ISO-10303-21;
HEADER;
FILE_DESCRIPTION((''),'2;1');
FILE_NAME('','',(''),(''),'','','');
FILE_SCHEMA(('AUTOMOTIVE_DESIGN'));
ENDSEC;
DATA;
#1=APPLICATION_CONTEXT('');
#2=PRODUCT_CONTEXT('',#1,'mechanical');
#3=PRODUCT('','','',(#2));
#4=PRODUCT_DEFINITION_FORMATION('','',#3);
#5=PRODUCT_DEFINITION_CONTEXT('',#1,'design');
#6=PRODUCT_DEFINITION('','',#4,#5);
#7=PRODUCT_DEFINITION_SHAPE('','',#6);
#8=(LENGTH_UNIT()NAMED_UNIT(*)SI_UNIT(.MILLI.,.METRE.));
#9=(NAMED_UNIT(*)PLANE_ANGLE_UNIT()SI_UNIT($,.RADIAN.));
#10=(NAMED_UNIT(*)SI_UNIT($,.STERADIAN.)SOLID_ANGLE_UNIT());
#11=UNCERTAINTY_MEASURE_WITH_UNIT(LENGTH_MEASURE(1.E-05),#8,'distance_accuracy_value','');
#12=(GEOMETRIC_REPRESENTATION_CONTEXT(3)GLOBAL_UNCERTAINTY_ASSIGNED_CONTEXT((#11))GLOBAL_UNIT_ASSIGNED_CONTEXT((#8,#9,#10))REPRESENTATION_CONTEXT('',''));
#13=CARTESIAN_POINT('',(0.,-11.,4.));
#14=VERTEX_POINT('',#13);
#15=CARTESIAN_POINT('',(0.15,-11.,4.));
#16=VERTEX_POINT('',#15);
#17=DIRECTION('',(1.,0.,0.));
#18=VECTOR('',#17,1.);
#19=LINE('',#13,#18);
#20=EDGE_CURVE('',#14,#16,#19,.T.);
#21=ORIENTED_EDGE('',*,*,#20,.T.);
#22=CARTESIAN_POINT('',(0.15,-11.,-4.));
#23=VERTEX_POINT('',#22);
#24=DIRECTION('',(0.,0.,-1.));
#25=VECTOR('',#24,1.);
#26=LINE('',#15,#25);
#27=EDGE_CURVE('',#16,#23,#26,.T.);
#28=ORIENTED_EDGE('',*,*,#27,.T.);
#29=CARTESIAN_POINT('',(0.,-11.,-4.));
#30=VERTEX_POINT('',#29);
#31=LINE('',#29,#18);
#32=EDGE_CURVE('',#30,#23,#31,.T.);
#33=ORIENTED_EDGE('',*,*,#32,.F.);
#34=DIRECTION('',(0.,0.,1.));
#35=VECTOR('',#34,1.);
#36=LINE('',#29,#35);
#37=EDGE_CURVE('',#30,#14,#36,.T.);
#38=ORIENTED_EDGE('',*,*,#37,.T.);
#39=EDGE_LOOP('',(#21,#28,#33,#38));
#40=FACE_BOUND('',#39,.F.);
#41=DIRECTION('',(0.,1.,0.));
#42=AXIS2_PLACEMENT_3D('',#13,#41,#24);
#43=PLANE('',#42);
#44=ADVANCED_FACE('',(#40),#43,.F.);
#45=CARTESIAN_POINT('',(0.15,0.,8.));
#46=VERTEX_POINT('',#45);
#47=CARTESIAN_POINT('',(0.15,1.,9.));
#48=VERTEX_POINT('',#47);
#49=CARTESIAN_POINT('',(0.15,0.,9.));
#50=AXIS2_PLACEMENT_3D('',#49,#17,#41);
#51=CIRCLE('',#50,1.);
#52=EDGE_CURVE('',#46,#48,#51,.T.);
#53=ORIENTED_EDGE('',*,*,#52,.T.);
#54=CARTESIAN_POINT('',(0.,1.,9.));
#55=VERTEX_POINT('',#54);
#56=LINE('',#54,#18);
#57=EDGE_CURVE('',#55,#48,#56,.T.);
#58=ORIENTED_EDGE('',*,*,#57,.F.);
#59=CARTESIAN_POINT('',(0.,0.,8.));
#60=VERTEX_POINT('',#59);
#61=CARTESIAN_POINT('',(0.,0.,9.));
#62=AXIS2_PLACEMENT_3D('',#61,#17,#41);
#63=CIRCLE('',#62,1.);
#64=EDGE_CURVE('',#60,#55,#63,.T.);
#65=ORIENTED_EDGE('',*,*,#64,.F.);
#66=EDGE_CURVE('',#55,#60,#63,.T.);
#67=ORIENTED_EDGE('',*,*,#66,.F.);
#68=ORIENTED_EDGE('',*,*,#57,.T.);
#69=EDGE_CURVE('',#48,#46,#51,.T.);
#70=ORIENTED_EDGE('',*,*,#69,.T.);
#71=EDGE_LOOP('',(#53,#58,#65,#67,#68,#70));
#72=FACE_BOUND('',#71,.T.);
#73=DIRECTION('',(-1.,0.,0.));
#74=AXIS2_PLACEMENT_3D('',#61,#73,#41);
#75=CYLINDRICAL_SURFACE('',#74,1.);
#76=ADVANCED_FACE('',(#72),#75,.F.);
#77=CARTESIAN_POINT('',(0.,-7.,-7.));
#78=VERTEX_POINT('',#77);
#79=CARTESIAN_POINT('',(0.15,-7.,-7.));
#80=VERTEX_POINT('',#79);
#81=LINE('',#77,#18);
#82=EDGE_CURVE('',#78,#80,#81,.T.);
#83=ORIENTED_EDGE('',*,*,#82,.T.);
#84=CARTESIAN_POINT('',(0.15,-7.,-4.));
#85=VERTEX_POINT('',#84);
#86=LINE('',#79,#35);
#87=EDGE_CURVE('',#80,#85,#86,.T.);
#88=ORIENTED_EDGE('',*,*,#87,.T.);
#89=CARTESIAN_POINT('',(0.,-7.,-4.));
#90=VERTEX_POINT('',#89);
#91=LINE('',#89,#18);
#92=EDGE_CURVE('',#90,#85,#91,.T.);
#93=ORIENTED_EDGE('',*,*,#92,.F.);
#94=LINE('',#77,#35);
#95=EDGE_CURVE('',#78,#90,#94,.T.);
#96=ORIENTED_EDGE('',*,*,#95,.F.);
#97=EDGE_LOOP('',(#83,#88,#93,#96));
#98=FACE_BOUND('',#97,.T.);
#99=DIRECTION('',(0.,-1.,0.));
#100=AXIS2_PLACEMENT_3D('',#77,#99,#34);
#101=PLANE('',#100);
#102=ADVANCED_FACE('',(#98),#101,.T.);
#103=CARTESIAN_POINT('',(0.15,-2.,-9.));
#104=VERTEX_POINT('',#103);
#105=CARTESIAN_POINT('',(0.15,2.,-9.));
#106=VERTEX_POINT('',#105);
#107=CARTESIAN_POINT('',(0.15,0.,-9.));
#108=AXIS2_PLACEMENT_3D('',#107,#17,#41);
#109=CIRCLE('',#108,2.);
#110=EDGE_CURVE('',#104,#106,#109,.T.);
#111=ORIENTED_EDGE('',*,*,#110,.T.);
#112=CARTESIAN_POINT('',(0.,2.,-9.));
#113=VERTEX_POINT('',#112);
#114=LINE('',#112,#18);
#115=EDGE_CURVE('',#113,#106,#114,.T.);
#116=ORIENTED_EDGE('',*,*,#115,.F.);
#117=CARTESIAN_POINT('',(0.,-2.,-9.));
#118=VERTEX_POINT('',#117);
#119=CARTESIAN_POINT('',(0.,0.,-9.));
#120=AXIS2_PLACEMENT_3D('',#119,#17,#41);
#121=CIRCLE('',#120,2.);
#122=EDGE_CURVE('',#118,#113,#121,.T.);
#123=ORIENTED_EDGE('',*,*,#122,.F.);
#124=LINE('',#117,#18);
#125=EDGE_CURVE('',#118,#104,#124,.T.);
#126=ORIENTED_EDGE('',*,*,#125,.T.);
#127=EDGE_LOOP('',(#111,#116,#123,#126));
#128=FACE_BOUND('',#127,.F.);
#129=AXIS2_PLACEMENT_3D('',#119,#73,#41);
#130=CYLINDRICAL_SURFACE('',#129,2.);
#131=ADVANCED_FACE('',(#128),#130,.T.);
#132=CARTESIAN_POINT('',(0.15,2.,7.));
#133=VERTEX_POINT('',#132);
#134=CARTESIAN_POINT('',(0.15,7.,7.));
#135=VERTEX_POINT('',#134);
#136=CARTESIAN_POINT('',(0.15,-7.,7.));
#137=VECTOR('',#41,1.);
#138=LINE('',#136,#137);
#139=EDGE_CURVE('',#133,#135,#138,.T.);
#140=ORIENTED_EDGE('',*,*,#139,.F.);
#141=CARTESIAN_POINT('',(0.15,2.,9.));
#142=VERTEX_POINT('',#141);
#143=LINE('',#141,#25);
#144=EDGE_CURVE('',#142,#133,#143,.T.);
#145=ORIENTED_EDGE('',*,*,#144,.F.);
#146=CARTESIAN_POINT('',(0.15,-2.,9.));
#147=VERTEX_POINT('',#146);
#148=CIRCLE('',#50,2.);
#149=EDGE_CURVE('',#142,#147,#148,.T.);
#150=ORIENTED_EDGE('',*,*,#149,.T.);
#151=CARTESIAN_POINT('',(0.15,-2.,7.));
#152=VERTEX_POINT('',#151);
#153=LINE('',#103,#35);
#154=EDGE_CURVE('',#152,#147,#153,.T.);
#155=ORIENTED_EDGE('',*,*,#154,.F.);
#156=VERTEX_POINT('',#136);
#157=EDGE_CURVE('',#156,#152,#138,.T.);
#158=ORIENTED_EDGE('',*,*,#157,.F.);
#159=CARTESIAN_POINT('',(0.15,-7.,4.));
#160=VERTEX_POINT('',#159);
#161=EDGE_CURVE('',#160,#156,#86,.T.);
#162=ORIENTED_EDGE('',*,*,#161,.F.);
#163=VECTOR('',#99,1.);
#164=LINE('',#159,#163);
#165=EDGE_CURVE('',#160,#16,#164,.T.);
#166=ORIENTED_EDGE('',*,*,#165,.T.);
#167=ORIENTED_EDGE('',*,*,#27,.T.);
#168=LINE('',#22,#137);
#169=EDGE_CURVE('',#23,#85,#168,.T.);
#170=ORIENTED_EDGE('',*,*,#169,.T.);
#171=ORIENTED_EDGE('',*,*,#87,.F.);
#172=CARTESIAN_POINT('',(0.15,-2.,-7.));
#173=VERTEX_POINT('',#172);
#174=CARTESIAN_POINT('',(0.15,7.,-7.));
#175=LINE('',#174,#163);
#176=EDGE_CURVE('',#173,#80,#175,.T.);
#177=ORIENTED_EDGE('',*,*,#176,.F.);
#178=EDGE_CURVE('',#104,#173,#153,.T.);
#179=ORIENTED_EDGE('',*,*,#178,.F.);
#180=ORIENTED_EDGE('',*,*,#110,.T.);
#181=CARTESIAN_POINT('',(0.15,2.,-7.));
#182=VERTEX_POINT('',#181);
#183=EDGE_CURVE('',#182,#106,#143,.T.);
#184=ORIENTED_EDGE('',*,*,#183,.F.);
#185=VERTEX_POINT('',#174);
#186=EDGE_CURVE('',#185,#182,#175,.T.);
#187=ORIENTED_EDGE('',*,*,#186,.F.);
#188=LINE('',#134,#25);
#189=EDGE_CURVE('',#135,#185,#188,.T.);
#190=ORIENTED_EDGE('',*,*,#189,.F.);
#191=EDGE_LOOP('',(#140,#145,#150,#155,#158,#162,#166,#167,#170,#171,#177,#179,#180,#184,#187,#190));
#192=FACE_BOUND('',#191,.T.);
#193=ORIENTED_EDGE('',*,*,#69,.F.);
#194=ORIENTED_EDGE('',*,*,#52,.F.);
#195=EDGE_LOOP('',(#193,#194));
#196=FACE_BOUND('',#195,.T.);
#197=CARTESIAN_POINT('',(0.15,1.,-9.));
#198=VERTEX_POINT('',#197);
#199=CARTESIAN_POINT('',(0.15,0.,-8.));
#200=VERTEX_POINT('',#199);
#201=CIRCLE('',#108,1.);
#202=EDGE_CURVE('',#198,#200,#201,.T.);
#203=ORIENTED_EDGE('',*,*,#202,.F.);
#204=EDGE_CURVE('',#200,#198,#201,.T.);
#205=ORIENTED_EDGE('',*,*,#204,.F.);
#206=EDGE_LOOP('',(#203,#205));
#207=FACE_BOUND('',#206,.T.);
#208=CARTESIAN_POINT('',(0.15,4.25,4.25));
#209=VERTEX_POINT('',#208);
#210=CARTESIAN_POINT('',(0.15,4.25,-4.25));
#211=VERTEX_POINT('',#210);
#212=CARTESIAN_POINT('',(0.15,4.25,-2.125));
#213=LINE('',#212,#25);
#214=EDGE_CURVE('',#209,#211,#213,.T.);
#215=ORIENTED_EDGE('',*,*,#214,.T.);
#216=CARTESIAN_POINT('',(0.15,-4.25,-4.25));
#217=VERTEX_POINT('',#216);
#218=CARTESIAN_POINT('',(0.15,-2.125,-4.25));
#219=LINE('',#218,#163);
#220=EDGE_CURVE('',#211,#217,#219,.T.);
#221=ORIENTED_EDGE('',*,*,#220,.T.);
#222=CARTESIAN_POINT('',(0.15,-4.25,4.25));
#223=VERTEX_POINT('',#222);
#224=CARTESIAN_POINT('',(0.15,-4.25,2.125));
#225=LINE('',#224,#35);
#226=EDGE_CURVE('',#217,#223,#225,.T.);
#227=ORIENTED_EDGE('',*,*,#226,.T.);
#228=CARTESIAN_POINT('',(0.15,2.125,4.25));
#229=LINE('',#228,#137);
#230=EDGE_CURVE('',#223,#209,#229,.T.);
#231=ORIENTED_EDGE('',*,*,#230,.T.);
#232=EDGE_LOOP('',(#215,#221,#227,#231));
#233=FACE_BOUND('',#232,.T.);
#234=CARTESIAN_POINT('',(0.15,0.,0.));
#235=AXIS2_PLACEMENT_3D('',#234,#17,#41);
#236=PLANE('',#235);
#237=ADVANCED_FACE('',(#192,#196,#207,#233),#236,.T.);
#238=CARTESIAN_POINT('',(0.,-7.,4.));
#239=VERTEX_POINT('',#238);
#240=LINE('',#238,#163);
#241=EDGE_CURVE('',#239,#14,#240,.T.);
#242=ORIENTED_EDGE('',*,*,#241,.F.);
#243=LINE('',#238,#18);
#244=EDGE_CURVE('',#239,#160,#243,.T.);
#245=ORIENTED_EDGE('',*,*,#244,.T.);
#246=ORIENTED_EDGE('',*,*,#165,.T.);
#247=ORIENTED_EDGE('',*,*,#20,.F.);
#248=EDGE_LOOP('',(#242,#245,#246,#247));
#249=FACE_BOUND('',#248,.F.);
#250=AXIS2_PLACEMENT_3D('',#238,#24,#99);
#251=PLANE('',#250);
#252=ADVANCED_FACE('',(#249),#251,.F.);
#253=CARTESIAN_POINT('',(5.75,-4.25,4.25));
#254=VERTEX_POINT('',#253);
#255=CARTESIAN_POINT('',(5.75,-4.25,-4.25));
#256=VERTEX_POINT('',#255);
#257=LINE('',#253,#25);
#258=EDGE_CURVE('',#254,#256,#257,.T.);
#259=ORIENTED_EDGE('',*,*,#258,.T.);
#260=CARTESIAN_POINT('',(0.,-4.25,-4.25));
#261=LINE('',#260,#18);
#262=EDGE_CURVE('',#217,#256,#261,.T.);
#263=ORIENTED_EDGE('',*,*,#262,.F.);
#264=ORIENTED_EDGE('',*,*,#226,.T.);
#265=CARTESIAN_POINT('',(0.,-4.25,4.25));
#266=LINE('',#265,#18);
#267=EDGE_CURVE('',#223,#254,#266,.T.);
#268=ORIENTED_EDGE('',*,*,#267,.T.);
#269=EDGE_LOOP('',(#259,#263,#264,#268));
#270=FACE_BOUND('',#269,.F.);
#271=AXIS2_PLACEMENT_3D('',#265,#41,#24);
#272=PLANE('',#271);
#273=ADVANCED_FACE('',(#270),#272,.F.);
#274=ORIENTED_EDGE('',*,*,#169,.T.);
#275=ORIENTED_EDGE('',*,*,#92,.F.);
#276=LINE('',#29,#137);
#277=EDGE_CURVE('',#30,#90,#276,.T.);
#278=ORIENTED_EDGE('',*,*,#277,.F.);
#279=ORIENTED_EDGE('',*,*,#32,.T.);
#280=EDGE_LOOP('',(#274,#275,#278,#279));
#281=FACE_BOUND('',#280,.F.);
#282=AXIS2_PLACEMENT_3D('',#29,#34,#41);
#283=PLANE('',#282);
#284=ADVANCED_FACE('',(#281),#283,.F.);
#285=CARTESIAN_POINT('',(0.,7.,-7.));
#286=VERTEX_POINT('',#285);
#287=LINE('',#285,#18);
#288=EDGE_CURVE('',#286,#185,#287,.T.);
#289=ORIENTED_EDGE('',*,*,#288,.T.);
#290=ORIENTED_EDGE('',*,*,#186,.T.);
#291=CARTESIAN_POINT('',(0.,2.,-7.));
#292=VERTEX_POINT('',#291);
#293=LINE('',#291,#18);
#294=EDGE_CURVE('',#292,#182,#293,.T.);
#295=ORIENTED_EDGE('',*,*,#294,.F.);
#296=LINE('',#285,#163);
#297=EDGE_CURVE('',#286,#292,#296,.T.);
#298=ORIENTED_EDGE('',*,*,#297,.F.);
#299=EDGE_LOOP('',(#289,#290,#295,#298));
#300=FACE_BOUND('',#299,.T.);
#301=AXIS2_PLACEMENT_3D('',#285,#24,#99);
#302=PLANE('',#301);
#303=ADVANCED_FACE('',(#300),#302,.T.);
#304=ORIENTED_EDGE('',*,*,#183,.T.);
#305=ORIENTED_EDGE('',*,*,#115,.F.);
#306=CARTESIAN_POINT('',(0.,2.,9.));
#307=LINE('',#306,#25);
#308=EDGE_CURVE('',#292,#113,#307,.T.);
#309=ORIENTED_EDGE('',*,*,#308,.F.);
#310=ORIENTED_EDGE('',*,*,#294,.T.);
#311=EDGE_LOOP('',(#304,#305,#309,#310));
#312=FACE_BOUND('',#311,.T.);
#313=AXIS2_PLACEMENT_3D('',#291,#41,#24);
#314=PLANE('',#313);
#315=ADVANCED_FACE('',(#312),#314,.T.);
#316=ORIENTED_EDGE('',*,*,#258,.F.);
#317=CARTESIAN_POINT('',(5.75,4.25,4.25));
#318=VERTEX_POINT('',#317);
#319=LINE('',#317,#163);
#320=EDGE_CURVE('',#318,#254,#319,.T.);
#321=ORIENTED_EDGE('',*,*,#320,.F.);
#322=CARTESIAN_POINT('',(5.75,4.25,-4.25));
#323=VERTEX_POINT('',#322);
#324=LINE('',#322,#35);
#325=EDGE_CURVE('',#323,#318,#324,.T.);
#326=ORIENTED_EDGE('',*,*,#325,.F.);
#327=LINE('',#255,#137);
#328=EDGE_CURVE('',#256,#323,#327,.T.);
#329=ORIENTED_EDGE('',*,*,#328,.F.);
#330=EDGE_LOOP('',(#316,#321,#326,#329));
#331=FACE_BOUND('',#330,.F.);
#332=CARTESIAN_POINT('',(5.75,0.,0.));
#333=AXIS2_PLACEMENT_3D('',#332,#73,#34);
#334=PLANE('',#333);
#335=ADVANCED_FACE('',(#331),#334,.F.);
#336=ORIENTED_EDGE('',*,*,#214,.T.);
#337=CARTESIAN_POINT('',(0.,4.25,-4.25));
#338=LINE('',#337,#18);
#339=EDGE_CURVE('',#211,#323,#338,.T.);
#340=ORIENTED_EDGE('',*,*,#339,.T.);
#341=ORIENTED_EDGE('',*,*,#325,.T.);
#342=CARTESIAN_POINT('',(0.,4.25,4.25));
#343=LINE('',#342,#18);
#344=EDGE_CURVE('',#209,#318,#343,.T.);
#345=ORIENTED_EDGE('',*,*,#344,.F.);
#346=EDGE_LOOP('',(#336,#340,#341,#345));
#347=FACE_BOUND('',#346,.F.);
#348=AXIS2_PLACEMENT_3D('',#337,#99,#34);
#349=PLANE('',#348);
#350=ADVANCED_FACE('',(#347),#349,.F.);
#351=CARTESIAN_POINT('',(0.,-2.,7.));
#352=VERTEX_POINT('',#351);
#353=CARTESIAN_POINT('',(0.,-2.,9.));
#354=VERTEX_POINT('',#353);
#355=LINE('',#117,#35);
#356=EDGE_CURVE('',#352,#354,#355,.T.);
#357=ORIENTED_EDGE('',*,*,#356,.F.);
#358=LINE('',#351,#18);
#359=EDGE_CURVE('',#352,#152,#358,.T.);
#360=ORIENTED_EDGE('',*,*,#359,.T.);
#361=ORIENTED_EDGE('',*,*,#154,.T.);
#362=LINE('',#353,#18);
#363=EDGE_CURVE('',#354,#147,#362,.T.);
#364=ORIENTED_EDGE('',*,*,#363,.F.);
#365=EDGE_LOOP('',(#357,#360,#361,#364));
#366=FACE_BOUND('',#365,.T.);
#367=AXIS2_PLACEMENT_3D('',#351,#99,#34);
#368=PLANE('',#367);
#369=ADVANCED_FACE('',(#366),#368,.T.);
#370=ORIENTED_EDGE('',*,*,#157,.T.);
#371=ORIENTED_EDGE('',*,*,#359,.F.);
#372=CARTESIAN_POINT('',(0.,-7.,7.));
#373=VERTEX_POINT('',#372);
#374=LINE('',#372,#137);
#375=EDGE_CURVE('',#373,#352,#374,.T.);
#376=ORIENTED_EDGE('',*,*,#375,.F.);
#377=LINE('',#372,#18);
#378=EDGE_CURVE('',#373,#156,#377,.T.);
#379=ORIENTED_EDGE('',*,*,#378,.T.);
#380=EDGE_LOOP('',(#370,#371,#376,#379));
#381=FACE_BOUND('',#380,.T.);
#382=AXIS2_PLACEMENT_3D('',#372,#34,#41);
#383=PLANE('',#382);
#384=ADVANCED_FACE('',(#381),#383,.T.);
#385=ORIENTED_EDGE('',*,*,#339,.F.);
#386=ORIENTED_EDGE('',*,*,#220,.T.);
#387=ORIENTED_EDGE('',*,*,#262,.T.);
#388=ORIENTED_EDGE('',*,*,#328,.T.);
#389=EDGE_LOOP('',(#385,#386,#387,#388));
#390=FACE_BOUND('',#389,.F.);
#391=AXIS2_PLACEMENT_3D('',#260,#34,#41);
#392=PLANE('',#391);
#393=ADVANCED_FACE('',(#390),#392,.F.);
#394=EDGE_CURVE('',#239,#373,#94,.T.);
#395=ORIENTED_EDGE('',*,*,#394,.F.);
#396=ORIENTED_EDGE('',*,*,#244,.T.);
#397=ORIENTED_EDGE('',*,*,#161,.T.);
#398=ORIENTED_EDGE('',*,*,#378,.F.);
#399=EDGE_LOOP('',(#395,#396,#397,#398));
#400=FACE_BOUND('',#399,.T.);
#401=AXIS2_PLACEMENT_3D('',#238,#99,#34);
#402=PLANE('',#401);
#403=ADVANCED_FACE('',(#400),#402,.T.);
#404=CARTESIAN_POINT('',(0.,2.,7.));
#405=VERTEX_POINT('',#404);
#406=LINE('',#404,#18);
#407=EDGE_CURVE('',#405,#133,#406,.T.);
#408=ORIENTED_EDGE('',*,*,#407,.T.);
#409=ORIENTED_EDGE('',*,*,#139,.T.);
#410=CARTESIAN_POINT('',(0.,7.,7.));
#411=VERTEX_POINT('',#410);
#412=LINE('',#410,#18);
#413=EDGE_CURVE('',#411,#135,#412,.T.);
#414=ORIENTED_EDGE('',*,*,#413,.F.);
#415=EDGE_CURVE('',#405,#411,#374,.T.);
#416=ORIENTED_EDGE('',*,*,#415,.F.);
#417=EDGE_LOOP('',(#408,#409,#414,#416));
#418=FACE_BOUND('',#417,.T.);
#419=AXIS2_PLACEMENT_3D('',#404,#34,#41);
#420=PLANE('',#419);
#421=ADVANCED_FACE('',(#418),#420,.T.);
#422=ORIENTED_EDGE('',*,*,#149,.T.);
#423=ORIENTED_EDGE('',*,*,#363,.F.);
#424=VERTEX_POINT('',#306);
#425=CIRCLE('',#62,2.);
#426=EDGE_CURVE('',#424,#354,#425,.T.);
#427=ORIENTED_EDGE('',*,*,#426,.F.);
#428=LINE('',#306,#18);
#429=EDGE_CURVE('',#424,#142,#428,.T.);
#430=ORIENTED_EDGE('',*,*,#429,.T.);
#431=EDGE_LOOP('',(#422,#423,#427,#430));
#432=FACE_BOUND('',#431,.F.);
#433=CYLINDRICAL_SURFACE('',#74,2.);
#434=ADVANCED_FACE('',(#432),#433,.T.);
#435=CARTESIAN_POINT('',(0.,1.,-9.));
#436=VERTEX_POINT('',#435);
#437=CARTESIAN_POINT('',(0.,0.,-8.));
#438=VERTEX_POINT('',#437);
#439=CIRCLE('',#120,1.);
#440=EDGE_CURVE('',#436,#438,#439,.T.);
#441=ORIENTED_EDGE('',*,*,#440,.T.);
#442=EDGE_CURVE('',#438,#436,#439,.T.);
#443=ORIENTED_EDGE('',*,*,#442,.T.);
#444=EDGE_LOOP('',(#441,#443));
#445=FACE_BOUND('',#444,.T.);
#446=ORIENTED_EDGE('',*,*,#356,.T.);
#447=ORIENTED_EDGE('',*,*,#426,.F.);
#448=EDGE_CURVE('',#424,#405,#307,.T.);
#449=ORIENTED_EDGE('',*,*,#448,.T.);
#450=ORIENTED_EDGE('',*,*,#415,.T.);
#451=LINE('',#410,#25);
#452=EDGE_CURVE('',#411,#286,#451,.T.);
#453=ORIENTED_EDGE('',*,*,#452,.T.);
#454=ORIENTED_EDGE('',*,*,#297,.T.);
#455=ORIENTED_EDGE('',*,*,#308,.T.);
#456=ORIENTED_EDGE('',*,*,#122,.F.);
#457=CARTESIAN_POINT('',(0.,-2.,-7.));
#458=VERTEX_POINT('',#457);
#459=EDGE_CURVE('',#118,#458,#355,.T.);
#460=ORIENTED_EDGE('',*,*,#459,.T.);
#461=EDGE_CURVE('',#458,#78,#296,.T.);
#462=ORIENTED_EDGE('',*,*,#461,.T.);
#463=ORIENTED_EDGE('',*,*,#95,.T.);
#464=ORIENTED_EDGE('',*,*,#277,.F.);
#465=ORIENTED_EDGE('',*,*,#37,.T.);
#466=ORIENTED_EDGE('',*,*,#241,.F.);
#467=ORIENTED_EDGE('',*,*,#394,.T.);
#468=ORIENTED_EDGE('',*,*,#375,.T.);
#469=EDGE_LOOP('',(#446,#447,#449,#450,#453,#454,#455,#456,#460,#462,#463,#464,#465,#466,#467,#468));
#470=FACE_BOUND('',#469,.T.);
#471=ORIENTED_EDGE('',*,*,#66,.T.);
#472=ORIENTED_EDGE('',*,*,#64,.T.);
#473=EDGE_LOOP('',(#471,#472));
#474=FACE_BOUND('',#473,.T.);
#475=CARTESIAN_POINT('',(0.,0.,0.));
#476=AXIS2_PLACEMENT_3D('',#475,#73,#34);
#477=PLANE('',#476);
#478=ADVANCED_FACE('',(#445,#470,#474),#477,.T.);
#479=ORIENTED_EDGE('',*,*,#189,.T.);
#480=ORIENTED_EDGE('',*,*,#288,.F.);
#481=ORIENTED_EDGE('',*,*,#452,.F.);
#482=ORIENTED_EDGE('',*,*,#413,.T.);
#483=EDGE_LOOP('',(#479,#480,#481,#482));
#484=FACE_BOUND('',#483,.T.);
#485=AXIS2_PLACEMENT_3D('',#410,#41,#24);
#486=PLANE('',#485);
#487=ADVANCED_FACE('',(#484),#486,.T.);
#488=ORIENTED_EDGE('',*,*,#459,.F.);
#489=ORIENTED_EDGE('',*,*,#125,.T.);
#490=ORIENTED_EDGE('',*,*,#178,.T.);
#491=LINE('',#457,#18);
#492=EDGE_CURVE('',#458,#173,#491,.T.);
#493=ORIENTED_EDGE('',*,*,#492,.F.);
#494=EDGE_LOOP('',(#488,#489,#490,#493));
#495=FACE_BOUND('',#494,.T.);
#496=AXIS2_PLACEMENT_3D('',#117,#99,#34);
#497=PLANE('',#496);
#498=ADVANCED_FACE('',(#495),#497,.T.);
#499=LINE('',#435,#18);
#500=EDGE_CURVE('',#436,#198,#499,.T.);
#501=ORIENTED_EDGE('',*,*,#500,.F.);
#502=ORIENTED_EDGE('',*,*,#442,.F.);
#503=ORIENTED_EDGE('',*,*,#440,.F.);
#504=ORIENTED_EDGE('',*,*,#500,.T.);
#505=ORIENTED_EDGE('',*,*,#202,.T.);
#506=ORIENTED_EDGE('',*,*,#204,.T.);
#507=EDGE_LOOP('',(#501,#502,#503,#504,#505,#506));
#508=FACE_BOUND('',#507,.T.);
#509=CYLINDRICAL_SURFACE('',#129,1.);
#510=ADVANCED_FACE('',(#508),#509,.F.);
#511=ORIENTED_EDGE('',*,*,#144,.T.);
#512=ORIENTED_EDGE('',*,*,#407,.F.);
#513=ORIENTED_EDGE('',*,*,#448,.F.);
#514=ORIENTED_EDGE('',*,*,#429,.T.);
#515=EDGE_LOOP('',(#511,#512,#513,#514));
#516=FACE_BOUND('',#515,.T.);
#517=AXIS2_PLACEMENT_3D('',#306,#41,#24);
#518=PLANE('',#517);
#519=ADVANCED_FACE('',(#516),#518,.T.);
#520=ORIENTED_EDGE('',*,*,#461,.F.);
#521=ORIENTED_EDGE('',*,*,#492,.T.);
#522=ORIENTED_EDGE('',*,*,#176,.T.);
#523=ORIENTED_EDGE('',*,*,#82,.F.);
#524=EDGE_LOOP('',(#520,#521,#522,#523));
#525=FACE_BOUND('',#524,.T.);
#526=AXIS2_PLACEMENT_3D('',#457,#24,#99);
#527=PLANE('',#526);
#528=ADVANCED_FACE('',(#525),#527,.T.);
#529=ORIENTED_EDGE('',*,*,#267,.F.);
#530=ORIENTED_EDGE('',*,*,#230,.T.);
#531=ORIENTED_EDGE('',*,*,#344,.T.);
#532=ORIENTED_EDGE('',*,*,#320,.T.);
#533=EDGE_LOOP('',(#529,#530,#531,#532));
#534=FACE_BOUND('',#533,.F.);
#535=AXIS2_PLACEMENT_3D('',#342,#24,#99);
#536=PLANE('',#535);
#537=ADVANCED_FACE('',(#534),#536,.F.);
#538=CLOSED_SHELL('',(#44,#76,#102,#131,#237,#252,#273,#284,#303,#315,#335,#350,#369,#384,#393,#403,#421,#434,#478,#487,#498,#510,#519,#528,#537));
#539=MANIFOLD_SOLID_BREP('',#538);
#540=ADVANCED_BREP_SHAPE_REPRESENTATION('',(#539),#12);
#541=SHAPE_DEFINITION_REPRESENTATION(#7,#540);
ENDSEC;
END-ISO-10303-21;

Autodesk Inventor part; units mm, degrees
ref_plane "YZ Plane" through (0, 0, 0) normal (1, 0, 0) x (0, 1, 0)
ref_plane "XZ Plane" through (0, 0, 0) normal (0, 1, 0) x (-1, 0, 0)
ref_plane "XY Plane" through (0, 0, 0) normal (0, 0, 1) x (1, 0, 0)
sketch "Эскиз1" plane through (0, 0, 0) normal (1, 0, 0) x (0, 1, 0)
  line L0 (-7, 7) -> (7, 7)
  line L1 (7, 7) -> (7, -7)
  line L2 (7, -7) -> (-7, -7)
  line L3 (-7, -7) -> (-7, 7)
  line L4 (-7, 7) -> (7, -7) construction
  line L5 (7, 7) -> (-7, -7) construction
  line L6 (0, 9) -> (0, -9)
  circle A0 centre (0, -9) radius 2
  circle A1 centre (0, 9) radius 2
  line L7 (2, 9) -> (2, -9)
  line L8 (-2, -9) -> (-2, 9)
  line L9 (4.25, 4.25) -> (-4.25, 4.25)
  line L10 (-4.25, 4.25) -> (-4.25, -4.25)
  line L11 (-4.25, -4.25) -> (4.25, -4.25)
  line L12 (4.25, -4.25) -> (4.25, 4.25)
  line L13 (4.25, 4.25) -> (-4.25, -4.25) construction
  line L14 (-4.25, 4.25) -> (4.25, -4.25) construction
  line L15 (-7, 4) -> (-11, 4)
  line L16 (-11, 4) -> (-11, -4)
  line L17 (-11, -4) -> (-7, -4)
  line L18 (-7, -4) -> (-7, 4)
  circle A2 centre (0, 9) radius 1
  circle A3 centre (0, -9) radius 1
  line L19 (-7, 0) -> (-11, 0)
  point P0 (0, 0)
  point P1 (0, 0)
  point P2 (2, -7)
  point P3 (2, 7)
  point P4 (-2, 7)
  point P5 (-7, -4)
  point P6 (-2, -7)
  point P7 (-7, 0)
  dimension "d0" = 14
  dimension "d1" = 14
  dimension "d2" = 18
  dimension "d3" = 8.5
  dimension "d4" = 8.5
  dimension "d5" = 4
  dimension "d6" = 2
  dimension "d7" = 2
  dimension "d14" = 8
extrude "Выдавливание1" add sketch "Эскиз1" along normal blind 0.15
sketch "Эскиз2" plane through (0, 0, 0) normal (-1, 0, 0) x (0, 0, 1)
  line L0 (-4.25, 4.25) -> (4.25, 4.25)
  line L1 (4.25, 4.25) -> (4.25, -4.25)
  line L2 (4.25, -4.25) -> (-4.25, -4.25)
  line L3 (-4.25, -4.25) -> (-4.25, 4.25)
  line L4 (-4.25, 4.25) -> (4.25, -4.25) construction
  line L5 (4.25, 4.25) -> (-4.25, -4.25) construction
  point P0 (0, 0)
  dimension "d10" = 8.5
  dimension "d11" = 8.5
extrude "Выдавливание2" add sketch "Эскиз2" against normal blind 5.75
properties part number "ov13855"
